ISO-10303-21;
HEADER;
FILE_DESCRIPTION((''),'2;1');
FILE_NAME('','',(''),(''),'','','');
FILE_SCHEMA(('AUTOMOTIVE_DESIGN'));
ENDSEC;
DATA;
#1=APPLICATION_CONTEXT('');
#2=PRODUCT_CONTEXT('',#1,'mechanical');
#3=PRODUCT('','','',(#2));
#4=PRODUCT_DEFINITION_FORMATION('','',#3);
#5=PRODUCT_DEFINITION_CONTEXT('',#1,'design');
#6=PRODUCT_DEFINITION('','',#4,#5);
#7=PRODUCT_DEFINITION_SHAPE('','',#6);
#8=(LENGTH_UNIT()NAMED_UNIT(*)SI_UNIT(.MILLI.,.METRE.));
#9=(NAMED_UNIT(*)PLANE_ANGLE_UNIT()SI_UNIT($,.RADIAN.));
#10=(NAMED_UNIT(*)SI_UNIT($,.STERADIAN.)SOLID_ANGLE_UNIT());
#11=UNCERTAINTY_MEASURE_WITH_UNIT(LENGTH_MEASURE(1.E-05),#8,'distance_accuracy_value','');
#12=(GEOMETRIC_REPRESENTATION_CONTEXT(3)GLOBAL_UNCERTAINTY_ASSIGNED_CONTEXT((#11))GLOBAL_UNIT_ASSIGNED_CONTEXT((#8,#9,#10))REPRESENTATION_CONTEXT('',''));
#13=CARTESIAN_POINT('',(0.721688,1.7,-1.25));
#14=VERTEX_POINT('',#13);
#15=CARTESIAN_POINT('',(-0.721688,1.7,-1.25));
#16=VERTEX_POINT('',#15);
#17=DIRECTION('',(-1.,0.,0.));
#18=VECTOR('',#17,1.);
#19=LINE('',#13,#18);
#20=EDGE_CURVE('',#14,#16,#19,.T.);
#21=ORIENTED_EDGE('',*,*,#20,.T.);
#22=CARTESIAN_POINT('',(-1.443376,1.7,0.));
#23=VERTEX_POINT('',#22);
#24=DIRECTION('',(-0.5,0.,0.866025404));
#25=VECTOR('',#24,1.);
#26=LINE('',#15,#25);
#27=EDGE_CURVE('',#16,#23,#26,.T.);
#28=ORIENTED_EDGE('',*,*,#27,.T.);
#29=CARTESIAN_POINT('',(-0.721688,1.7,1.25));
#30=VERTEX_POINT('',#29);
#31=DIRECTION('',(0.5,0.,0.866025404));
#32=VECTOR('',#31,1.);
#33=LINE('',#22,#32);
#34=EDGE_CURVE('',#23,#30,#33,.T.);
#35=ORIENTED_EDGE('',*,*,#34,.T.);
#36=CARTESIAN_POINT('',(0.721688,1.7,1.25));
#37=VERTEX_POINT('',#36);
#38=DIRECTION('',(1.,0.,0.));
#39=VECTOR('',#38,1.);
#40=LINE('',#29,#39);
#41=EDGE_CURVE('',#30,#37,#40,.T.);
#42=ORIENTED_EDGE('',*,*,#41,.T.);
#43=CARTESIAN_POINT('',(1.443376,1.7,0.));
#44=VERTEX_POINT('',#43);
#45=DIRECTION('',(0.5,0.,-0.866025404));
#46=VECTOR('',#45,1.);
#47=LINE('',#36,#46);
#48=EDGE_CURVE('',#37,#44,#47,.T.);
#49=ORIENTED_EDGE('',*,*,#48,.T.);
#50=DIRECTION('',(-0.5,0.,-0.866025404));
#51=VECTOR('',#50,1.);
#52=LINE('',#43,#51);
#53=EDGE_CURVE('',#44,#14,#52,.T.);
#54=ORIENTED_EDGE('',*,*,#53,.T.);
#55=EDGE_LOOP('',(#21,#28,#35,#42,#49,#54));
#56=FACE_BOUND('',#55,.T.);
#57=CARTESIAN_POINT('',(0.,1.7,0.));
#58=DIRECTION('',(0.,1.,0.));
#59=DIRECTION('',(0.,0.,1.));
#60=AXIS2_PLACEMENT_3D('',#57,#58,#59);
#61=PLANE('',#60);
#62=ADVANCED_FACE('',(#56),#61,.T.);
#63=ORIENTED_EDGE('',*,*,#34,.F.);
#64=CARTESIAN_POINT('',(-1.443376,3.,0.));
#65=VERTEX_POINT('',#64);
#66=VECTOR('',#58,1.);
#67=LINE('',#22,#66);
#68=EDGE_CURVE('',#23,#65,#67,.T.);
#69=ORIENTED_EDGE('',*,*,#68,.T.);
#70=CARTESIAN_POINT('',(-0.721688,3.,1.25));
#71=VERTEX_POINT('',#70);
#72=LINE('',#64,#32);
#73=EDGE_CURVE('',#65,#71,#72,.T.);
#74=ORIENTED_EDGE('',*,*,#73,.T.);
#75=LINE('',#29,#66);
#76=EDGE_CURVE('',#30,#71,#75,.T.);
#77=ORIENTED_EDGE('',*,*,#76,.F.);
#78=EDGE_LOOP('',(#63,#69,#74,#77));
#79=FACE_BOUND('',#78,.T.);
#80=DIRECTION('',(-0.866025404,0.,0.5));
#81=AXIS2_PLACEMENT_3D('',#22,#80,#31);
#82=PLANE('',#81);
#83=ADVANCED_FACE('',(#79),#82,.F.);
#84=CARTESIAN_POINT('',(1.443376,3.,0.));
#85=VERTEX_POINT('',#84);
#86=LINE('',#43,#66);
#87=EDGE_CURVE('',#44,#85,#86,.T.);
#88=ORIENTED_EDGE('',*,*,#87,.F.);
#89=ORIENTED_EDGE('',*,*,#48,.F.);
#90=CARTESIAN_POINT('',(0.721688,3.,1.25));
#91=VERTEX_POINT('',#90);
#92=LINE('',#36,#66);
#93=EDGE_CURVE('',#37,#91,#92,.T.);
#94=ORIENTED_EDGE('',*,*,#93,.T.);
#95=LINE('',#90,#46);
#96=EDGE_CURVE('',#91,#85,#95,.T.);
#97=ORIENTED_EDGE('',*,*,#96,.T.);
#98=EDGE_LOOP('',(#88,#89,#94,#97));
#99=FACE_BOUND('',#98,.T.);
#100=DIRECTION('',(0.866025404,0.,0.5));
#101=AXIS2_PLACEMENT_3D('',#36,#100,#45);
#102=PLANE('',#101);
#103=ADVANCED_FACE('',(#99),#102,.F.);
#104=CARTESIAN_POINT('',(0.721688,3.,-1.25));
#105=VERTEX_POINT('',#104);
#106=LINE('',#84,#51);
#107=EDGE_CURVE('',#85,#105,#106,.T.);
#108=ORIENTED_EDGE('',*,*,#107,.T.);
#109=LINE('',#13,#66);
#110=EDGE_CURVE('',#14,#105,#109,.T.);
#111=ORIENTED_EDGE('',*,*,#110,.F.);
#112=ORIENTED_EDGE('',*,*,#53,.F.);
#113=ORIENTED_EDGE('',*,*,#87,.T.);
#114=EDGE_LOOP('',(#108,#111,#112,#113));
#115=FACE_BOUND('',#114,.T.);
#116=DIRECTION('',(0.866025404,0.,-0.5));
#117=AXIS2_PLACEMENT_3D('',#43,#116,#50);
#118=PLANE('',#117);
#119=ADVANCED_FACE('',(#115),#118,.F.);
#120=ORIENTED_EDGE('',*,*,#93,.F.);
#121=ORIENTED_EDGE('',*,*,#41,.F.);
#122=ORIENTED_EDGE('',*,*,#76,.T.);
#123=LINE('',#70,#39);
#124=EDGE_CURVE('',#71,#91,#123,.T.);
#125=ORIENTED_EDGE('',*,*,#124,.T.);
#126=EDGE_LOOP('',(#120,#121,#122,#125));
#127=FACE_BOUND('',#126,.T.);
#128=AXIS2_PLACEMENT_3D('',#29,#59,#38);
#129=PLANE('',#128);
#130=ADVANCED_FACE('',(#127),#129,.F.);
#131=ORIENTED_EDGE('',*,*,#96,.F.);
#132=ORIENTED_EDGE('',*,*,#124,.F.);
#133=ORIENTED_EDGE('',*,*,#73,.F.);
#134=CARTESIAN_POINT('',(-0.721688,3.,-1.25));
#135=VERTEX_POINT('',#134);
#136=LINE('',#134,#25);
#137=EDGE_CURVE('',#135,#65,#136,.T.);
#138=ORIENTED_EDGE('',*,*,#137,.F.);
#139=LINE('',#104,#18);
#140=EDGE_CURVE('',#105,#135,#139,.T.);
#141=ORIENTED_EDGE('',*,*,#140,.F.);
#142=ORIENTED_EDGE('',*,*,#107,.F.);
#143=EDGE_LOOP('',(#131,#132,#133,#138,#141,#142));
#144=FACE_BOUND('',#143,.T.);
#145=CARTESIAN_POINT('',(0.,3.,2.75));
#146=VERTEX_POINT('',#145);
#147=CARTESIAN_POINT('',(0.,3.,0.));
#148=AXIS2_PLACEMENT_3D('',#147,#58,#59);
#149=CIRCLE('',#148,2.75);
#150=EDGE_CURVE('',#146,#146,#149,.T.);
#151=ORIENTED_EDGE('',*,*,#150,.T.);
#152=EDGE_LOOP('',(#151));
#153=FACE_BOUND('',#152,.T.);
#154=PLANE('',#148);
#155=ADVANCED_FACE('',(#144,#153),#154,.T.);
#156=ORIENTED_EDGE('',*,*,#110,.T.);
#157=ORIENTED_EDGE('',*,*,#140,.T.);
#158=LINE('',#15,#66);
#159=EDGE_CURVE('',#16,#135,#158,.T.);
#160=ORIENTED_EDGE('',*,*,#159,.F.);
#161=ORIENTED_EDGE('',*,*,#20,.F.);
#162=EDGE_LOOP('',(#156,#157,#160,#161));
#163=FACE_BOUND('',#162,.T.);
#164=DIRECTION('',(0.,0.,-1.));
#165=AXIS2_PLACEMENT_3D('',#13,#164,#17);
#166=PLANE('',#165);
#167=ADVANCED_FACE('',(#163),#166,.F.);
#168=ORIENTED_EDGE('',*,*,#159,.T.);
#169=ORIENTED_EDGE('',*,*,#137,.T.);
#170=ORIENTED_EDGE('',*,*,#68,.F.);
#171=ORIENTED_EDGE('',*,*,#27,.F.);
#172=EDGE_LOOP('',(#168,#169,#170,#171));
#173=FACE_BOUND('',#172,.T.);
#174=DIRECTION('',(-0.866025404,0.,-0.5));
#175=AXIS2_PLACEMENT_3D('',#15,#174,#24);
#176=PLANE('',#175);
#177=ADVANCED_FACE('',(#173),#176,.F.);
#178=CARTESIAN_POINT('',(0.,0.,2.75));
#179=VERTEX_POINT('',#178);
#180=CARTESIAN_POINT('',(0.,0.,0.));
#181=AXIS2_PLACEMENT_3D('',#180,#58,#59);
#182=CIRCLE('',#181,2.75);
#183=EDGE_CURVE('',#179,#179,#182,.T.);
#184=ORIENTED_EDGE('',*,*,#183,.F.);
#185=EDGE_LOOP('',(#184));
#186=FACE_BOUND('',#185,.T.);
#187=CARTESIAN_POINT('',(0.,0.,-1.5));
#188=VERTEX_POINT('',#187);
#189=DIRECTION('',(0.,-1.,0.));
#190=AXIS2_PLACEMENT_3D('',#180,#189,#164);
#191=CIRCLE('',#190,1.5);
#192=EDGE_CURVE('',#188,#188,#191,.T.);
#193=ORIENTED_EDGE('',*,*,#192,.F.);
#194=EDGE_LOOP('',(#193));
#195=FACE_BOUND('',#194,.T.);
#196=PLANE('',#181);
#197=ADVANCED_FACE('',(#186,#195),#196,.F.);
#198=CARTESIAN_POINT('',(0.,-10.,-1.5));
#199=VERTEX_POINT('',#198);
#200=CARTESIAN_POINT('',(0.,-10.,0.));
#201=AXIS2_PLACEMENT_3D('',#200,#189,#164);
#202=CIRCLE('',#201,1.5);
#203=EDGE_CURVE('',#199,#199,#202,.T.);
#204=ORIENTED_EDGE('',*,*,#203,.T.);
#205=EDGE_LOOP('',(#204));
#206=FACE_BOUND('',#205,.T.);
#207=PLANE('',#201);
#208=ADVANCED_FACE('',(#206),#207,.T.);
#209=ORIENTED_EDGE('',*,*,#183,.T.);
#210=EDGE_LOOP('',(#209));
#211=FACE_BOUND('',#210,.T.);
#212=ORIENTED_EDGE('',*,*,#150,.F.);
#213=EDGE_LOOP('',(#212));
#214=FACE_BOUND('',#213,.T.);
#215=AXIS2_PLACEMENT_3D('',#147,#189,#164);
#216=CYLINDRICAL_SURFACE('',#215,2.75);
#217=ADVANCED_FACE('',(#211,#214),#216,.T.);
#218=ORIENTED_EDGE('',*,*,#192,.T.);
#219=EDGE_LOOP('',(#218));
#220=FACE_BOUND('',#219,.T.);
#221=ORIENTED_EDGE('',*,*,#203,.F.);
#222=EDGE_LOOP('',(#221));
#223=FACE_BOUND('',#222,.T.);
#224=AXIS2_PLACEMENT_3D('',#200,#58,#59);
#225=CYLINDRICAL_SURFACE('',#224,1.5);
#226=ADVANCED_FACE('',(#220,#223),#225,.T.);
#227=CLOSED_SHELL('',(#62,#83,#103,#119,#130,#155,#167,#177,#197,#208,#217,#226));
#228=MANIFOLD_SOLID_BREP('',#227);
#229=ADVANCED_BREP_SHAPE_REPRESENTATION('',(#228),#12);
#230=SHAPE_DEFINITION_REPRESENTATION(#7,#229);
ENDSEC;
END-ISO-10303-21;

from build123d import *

# Parameters (mm, degrees)
SKETCH_1_R            = 2.75
EXTRUDE_248_DEPTH     = 3
CUT_EXTRUDE_378_DEPTH = 1.3
SKETCH_3_R            = 1.5
EXTRUDE_479_DEPTH     = 10


with BuildPart() as part:
    # 草图1 → Extrude 248 (new body)
    with BuildSketch(Plane(origin=(0, 0, 0), x_dir=(1, 0, 0), z_dir=(0, 1, 0))):
        Circle(SKETCH_1_R)
    extrude(amount=EXTRUDE_248_DEPTH)

    # 草图2 → Cut-Extrude 378 (cut)
    with BuildSketch(Plane(origin=(0, 3, 0), x_dir=(1, 0, 0), z_dir=(0, 1, 0))):
        Polygon((1.443375673, 0), (0.721687836, 1.25), (-0.721687836, 1.25), (-1.443375673, 0), (-0.721687836, -1.25), (0.721687836, -1.25), align=None)
    extrude(amount=-CUT_EXTRUDE_378_DEPTH, mode=Mode.SUBTRACT)

    # 草图3 → Extrude 479 (add)
    with BuildSketch(Plane.XZ):
        Circle(SKETCH_3_R)
    extrude(amount=EXTRUDE_479_DEPTH)


solid = part.part
